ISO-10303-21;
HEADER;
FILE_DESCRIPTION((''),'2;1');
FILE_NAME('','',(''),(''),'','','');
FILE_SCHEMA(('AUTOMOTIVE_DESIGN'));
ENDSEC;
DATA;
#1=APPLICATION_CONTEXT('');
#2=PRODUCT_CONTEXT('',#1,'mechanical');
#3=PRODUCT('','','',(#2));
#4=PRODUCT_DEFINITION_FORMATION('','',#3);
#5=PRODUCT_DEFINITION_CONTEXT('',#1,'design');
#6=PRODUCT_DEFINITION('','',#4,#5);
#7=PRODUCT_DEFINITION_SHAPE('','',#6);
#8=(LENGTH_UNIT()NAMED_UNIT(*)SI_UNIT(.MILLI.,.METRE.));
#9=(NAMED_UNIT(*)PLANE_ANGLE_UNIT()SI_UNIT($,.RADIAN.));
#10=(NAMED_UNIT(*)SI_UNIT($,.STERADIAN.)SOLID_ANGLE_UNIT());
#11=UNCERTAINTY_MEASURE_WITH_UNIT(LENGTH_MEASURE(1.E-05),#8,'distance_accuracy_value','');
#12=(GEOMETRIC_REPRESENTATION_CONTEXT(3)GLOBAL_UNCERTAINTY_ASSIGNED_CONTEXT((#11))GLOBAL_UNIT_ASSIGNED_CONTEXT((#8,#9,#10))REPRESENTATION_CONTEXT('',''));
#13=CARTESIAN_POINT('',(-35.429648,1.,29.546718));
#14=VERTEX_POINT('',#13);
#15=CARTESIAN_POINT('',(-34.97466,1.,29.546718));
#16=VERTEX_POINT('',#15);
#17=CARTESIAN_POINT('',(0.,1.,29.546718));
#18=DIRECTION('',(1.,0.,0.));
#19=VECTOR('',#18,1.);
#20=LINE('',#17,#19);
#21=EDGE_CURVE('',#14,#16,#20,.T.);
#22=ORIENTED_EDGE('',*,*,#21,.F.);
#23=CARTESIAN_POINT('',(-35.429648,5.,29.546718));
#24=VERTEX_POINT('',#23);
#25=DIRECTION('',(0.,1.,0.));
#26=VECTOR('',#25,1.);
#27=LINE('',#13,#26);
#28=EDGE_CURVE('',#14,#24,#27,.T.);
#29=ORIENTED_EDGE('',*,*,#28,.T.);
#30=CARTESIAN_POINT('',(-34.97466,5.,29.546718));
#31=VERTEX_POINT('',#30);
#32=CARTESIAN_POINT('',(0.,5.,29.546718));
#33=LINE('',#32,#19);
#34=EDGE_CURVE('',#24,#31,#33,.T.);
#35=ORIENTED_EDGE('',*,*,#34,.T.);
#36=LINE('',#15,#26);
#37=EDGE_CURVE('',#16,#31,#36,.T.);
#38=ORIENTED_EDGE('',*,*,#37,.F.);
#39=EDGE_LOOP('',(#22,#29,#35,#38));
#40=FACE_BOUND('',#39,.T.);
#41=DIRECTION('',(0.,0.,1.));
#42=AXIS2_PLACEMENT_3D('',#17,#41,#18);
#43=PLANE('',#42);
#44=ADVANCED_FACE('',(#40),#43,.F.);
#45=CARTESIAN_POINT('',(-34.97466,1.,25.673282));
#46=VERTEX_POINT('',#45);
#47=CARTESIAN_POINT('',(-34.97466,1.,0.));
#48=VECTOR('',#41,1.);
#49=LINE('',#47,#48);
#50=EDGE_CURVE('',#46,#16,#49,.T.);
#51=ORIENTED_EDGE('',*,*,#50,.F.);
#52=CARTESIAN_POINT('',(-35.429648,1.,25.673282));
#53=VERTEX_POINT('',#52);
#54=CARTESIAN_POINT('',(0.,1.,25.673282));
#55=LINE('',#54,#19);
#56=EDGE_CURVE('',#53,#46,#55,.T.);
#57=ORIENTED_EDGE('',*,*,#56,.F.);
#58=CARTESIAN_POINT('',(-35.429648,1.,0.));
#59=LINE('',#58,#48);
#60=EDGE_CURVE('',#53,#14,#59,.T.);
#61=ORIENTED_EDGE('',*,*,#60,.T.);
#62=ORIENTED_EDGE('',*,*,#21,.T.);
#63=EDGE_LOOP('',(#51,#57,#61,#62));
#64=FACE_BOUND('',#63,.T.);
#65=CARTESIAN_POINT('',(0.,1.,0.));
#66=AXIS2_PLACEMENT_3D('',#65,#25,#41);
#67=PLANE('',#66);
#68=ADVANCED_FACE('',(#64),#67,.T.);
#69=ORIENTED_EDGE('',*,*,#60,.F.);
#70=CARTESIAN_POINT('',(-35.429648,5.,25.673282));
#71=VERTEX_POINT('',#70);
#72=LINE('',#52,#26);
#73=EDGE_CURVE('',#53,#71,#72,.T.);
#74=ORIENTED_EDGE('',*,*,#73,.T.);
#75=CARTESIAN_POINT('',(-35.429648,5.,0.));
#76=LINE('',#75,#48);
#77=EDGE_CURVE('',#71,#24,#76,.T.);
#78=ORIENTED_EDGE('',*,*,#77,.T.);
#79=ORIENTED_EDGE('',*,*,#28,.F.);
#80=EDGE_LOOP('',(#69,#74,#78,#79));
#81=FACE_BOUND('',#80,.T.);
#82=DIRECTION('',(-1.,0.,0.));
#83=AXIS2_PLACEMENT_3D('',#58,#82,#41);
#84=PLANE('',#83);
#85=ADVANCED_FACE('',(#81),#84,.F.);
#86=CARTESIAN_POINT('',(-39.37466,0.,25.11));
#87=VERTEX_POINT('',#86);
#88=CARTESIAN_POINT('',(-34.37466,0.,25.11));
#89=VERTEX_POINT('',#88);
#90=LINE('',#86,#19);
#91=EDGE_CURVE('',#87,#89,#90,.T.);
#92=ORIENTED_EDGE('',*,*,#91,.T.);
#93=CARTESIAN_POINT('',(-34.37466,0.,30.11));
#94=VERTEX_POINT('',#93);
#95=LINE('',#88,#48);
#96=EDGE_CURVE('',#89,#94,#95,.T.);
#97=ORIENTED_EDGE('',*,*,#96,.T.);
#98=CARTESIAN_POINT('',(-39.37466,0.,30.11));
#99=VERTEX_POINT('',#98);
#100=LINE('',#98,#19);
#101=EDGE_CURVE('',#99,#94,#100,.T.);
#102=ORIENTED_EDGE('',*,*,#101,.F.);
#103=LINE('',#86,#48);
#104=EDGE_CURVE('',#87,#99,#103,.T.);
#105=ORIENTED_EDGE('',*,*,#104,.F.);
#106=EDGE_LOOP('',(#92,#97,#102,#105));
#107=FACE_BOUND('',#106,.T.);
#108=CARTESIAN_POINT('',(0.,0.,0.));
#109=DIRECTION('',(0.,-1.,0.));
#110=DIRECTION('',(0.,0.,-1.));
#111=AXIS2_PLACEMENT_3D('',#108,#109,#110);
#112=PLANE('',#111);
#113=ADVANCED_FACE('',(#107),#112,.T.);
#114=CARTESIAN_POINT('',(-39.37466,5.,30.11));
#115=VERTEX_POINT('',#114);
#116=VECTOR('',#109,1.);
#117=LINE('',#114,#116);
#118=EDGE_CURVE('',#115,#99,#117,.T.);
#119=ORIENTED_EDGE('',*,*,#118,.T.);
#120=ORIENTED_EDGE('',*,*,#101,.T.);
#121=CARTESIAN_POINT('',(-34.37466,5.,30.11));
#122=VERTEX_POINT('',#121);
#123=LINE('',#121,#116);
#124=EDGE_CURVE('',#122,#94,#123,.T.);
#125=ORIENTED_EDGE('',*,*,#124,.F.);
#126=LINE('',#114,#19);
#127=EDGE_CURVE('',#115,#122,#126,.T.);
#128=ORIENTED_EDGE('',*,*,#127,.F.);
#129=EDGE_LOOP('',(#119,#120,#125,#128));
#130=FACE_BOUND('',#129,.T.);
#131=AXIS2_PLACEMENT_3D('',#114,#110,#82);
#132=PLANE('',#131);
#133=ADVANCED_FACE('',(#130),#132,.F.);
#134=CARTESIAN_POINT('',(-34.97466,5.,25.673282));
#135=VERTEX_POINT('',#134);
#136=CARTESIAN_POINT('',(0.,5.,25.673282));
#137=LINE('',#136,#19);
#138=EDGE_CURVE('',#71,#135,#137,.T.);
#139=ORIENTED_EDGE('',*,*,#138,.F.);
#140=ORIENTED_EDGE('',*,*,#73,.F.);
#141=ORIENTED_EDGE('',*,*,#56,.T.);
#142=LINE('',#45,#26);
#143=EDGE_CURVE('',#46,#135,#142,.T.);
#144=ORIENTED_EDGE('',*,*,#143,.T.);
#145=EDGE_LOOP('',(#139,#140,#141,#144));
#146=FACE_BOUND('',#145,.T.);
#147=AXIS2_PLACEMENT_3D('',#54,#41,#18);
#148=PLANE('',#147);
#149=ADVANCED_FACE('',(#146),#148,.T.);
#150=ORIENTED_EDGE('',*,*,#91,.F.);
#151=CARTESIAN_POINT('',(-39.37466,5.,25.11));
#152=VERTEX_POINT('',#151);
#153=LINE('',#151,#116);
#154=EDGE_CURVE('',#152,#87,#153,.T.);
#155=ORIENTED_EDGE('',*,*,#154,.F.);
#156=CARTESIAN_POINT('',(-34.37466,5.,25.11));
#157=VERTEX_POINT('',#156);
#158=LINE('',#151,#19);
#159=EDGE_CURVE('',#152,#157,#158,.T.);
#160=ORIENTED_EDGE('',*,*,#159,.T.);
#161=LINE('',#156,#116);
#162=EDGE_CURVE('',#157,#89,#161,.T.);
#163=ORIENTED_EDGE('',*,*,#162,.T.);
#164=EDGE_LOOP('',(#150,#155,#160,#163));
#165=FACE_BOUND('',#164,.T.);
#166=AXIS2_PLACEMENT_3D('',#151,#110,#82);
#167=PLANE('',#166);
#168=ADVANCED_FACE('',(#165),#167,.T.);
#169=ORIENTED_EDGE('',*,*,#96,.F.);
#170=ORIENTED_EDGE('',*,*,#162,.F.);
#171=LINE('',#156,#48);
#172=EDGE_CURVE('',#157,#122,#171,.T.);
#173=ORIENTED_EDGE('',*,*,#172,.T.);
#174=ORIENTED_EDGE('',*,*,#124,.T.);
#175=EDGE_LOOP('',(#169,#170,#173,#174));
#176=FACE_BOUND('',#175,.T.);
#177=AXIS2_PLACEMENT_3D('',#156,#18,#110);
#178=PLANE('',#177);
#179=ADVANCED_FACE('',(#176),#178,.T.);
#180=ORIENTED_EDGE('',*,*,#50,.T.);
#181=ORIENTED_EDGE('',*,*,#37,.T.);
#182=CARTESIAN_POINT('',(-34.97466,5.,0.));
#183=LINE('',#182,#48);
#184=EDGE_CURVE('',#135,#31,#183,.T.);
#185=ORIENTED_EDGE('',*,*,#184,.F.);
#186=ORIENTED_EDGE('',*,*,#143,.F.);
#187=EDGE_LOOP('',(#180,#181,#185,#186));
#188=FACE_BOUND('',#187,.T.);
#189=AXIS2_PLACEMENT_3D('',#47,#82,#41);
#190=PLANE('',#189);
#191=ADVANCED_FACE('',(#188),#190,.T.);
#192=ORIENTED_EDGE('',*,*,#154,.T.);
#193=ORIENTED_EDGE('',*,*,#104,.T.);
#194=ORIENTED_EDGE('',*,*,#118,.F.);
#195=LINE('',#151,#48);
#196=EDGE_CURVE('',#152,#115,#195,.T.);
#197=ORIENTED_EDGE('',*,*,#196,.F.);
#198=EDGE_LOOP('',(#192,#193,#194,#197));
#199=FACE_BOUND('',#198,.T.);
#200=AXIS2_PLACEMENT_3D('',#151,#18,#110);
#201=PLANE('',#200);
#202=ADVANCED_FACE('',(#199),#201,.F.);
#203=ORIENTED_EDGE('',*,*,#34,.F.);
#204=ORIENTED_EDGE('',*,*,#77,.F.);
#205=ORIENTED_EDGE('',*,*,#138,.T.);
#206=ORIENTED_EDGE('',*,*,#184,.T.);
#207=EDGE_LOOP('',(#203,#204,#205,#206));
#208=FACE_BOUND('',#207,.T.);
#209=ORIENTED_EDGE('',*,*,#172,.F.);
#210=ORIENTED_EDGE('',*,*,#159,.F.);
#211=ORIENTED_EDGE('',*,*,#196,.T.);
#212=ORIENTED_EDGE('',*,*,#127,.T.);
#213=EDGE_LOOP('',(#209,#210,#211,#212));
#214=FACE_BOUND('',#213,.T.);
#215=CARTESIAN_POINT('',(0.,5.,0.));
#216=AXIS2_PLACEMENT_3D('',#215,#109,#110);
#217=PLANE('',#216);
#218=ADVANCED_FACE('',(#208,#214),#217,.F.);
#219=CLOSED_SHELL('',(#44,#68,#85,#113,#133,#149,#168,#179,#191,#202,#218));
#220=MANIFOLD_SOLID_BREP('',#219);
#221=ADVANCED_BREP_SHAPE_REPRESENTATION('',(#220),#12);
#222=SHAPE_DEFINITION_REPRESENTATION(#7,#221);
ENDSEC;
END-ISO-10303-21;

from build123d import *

# Parameters (mm, degrees)
SKETCH1_W           = 5
SKETCH1_H           = 5
BOSS_EXTRUDE1_DEPTH = 5
SKETCH2_W           = 0.454987437
SKETCH2_H           = 3.873436454
CUT_EXTRUDE1_DEPTH  = 4


with BuildPart() as part:
    # Sketch1 → Boss-Extrude1 (new body)
    with BuildSketch(Plane(origin=(0, 0, 0), x_dir=(1, 0, 0), z_dir=(0, 1, 0))):
        with Locations((-36.874660162, -27.610000121)):
            Rectangle(SKETCH1_W, SKETCH1_H)
    extrude(amount=BOSS_EXTRUDE1_DEPTH)

    # Sketch2 → Cut-Extrude1 (cut)
    with BuildSketch(Plane(origin=(0, 5, 0), x_dir=(1, 0, 0), z_dir=(0, 1, 0))):
        with Locations((-35.20215388, -27.610000121)):
            Rectangle(SKETCH2_W, SKETCH2_H)
    extrude(amount=-CUT_EXTRUDE1_DEPTH, mode=Mode.SUBTRACT)


solid = part.part
